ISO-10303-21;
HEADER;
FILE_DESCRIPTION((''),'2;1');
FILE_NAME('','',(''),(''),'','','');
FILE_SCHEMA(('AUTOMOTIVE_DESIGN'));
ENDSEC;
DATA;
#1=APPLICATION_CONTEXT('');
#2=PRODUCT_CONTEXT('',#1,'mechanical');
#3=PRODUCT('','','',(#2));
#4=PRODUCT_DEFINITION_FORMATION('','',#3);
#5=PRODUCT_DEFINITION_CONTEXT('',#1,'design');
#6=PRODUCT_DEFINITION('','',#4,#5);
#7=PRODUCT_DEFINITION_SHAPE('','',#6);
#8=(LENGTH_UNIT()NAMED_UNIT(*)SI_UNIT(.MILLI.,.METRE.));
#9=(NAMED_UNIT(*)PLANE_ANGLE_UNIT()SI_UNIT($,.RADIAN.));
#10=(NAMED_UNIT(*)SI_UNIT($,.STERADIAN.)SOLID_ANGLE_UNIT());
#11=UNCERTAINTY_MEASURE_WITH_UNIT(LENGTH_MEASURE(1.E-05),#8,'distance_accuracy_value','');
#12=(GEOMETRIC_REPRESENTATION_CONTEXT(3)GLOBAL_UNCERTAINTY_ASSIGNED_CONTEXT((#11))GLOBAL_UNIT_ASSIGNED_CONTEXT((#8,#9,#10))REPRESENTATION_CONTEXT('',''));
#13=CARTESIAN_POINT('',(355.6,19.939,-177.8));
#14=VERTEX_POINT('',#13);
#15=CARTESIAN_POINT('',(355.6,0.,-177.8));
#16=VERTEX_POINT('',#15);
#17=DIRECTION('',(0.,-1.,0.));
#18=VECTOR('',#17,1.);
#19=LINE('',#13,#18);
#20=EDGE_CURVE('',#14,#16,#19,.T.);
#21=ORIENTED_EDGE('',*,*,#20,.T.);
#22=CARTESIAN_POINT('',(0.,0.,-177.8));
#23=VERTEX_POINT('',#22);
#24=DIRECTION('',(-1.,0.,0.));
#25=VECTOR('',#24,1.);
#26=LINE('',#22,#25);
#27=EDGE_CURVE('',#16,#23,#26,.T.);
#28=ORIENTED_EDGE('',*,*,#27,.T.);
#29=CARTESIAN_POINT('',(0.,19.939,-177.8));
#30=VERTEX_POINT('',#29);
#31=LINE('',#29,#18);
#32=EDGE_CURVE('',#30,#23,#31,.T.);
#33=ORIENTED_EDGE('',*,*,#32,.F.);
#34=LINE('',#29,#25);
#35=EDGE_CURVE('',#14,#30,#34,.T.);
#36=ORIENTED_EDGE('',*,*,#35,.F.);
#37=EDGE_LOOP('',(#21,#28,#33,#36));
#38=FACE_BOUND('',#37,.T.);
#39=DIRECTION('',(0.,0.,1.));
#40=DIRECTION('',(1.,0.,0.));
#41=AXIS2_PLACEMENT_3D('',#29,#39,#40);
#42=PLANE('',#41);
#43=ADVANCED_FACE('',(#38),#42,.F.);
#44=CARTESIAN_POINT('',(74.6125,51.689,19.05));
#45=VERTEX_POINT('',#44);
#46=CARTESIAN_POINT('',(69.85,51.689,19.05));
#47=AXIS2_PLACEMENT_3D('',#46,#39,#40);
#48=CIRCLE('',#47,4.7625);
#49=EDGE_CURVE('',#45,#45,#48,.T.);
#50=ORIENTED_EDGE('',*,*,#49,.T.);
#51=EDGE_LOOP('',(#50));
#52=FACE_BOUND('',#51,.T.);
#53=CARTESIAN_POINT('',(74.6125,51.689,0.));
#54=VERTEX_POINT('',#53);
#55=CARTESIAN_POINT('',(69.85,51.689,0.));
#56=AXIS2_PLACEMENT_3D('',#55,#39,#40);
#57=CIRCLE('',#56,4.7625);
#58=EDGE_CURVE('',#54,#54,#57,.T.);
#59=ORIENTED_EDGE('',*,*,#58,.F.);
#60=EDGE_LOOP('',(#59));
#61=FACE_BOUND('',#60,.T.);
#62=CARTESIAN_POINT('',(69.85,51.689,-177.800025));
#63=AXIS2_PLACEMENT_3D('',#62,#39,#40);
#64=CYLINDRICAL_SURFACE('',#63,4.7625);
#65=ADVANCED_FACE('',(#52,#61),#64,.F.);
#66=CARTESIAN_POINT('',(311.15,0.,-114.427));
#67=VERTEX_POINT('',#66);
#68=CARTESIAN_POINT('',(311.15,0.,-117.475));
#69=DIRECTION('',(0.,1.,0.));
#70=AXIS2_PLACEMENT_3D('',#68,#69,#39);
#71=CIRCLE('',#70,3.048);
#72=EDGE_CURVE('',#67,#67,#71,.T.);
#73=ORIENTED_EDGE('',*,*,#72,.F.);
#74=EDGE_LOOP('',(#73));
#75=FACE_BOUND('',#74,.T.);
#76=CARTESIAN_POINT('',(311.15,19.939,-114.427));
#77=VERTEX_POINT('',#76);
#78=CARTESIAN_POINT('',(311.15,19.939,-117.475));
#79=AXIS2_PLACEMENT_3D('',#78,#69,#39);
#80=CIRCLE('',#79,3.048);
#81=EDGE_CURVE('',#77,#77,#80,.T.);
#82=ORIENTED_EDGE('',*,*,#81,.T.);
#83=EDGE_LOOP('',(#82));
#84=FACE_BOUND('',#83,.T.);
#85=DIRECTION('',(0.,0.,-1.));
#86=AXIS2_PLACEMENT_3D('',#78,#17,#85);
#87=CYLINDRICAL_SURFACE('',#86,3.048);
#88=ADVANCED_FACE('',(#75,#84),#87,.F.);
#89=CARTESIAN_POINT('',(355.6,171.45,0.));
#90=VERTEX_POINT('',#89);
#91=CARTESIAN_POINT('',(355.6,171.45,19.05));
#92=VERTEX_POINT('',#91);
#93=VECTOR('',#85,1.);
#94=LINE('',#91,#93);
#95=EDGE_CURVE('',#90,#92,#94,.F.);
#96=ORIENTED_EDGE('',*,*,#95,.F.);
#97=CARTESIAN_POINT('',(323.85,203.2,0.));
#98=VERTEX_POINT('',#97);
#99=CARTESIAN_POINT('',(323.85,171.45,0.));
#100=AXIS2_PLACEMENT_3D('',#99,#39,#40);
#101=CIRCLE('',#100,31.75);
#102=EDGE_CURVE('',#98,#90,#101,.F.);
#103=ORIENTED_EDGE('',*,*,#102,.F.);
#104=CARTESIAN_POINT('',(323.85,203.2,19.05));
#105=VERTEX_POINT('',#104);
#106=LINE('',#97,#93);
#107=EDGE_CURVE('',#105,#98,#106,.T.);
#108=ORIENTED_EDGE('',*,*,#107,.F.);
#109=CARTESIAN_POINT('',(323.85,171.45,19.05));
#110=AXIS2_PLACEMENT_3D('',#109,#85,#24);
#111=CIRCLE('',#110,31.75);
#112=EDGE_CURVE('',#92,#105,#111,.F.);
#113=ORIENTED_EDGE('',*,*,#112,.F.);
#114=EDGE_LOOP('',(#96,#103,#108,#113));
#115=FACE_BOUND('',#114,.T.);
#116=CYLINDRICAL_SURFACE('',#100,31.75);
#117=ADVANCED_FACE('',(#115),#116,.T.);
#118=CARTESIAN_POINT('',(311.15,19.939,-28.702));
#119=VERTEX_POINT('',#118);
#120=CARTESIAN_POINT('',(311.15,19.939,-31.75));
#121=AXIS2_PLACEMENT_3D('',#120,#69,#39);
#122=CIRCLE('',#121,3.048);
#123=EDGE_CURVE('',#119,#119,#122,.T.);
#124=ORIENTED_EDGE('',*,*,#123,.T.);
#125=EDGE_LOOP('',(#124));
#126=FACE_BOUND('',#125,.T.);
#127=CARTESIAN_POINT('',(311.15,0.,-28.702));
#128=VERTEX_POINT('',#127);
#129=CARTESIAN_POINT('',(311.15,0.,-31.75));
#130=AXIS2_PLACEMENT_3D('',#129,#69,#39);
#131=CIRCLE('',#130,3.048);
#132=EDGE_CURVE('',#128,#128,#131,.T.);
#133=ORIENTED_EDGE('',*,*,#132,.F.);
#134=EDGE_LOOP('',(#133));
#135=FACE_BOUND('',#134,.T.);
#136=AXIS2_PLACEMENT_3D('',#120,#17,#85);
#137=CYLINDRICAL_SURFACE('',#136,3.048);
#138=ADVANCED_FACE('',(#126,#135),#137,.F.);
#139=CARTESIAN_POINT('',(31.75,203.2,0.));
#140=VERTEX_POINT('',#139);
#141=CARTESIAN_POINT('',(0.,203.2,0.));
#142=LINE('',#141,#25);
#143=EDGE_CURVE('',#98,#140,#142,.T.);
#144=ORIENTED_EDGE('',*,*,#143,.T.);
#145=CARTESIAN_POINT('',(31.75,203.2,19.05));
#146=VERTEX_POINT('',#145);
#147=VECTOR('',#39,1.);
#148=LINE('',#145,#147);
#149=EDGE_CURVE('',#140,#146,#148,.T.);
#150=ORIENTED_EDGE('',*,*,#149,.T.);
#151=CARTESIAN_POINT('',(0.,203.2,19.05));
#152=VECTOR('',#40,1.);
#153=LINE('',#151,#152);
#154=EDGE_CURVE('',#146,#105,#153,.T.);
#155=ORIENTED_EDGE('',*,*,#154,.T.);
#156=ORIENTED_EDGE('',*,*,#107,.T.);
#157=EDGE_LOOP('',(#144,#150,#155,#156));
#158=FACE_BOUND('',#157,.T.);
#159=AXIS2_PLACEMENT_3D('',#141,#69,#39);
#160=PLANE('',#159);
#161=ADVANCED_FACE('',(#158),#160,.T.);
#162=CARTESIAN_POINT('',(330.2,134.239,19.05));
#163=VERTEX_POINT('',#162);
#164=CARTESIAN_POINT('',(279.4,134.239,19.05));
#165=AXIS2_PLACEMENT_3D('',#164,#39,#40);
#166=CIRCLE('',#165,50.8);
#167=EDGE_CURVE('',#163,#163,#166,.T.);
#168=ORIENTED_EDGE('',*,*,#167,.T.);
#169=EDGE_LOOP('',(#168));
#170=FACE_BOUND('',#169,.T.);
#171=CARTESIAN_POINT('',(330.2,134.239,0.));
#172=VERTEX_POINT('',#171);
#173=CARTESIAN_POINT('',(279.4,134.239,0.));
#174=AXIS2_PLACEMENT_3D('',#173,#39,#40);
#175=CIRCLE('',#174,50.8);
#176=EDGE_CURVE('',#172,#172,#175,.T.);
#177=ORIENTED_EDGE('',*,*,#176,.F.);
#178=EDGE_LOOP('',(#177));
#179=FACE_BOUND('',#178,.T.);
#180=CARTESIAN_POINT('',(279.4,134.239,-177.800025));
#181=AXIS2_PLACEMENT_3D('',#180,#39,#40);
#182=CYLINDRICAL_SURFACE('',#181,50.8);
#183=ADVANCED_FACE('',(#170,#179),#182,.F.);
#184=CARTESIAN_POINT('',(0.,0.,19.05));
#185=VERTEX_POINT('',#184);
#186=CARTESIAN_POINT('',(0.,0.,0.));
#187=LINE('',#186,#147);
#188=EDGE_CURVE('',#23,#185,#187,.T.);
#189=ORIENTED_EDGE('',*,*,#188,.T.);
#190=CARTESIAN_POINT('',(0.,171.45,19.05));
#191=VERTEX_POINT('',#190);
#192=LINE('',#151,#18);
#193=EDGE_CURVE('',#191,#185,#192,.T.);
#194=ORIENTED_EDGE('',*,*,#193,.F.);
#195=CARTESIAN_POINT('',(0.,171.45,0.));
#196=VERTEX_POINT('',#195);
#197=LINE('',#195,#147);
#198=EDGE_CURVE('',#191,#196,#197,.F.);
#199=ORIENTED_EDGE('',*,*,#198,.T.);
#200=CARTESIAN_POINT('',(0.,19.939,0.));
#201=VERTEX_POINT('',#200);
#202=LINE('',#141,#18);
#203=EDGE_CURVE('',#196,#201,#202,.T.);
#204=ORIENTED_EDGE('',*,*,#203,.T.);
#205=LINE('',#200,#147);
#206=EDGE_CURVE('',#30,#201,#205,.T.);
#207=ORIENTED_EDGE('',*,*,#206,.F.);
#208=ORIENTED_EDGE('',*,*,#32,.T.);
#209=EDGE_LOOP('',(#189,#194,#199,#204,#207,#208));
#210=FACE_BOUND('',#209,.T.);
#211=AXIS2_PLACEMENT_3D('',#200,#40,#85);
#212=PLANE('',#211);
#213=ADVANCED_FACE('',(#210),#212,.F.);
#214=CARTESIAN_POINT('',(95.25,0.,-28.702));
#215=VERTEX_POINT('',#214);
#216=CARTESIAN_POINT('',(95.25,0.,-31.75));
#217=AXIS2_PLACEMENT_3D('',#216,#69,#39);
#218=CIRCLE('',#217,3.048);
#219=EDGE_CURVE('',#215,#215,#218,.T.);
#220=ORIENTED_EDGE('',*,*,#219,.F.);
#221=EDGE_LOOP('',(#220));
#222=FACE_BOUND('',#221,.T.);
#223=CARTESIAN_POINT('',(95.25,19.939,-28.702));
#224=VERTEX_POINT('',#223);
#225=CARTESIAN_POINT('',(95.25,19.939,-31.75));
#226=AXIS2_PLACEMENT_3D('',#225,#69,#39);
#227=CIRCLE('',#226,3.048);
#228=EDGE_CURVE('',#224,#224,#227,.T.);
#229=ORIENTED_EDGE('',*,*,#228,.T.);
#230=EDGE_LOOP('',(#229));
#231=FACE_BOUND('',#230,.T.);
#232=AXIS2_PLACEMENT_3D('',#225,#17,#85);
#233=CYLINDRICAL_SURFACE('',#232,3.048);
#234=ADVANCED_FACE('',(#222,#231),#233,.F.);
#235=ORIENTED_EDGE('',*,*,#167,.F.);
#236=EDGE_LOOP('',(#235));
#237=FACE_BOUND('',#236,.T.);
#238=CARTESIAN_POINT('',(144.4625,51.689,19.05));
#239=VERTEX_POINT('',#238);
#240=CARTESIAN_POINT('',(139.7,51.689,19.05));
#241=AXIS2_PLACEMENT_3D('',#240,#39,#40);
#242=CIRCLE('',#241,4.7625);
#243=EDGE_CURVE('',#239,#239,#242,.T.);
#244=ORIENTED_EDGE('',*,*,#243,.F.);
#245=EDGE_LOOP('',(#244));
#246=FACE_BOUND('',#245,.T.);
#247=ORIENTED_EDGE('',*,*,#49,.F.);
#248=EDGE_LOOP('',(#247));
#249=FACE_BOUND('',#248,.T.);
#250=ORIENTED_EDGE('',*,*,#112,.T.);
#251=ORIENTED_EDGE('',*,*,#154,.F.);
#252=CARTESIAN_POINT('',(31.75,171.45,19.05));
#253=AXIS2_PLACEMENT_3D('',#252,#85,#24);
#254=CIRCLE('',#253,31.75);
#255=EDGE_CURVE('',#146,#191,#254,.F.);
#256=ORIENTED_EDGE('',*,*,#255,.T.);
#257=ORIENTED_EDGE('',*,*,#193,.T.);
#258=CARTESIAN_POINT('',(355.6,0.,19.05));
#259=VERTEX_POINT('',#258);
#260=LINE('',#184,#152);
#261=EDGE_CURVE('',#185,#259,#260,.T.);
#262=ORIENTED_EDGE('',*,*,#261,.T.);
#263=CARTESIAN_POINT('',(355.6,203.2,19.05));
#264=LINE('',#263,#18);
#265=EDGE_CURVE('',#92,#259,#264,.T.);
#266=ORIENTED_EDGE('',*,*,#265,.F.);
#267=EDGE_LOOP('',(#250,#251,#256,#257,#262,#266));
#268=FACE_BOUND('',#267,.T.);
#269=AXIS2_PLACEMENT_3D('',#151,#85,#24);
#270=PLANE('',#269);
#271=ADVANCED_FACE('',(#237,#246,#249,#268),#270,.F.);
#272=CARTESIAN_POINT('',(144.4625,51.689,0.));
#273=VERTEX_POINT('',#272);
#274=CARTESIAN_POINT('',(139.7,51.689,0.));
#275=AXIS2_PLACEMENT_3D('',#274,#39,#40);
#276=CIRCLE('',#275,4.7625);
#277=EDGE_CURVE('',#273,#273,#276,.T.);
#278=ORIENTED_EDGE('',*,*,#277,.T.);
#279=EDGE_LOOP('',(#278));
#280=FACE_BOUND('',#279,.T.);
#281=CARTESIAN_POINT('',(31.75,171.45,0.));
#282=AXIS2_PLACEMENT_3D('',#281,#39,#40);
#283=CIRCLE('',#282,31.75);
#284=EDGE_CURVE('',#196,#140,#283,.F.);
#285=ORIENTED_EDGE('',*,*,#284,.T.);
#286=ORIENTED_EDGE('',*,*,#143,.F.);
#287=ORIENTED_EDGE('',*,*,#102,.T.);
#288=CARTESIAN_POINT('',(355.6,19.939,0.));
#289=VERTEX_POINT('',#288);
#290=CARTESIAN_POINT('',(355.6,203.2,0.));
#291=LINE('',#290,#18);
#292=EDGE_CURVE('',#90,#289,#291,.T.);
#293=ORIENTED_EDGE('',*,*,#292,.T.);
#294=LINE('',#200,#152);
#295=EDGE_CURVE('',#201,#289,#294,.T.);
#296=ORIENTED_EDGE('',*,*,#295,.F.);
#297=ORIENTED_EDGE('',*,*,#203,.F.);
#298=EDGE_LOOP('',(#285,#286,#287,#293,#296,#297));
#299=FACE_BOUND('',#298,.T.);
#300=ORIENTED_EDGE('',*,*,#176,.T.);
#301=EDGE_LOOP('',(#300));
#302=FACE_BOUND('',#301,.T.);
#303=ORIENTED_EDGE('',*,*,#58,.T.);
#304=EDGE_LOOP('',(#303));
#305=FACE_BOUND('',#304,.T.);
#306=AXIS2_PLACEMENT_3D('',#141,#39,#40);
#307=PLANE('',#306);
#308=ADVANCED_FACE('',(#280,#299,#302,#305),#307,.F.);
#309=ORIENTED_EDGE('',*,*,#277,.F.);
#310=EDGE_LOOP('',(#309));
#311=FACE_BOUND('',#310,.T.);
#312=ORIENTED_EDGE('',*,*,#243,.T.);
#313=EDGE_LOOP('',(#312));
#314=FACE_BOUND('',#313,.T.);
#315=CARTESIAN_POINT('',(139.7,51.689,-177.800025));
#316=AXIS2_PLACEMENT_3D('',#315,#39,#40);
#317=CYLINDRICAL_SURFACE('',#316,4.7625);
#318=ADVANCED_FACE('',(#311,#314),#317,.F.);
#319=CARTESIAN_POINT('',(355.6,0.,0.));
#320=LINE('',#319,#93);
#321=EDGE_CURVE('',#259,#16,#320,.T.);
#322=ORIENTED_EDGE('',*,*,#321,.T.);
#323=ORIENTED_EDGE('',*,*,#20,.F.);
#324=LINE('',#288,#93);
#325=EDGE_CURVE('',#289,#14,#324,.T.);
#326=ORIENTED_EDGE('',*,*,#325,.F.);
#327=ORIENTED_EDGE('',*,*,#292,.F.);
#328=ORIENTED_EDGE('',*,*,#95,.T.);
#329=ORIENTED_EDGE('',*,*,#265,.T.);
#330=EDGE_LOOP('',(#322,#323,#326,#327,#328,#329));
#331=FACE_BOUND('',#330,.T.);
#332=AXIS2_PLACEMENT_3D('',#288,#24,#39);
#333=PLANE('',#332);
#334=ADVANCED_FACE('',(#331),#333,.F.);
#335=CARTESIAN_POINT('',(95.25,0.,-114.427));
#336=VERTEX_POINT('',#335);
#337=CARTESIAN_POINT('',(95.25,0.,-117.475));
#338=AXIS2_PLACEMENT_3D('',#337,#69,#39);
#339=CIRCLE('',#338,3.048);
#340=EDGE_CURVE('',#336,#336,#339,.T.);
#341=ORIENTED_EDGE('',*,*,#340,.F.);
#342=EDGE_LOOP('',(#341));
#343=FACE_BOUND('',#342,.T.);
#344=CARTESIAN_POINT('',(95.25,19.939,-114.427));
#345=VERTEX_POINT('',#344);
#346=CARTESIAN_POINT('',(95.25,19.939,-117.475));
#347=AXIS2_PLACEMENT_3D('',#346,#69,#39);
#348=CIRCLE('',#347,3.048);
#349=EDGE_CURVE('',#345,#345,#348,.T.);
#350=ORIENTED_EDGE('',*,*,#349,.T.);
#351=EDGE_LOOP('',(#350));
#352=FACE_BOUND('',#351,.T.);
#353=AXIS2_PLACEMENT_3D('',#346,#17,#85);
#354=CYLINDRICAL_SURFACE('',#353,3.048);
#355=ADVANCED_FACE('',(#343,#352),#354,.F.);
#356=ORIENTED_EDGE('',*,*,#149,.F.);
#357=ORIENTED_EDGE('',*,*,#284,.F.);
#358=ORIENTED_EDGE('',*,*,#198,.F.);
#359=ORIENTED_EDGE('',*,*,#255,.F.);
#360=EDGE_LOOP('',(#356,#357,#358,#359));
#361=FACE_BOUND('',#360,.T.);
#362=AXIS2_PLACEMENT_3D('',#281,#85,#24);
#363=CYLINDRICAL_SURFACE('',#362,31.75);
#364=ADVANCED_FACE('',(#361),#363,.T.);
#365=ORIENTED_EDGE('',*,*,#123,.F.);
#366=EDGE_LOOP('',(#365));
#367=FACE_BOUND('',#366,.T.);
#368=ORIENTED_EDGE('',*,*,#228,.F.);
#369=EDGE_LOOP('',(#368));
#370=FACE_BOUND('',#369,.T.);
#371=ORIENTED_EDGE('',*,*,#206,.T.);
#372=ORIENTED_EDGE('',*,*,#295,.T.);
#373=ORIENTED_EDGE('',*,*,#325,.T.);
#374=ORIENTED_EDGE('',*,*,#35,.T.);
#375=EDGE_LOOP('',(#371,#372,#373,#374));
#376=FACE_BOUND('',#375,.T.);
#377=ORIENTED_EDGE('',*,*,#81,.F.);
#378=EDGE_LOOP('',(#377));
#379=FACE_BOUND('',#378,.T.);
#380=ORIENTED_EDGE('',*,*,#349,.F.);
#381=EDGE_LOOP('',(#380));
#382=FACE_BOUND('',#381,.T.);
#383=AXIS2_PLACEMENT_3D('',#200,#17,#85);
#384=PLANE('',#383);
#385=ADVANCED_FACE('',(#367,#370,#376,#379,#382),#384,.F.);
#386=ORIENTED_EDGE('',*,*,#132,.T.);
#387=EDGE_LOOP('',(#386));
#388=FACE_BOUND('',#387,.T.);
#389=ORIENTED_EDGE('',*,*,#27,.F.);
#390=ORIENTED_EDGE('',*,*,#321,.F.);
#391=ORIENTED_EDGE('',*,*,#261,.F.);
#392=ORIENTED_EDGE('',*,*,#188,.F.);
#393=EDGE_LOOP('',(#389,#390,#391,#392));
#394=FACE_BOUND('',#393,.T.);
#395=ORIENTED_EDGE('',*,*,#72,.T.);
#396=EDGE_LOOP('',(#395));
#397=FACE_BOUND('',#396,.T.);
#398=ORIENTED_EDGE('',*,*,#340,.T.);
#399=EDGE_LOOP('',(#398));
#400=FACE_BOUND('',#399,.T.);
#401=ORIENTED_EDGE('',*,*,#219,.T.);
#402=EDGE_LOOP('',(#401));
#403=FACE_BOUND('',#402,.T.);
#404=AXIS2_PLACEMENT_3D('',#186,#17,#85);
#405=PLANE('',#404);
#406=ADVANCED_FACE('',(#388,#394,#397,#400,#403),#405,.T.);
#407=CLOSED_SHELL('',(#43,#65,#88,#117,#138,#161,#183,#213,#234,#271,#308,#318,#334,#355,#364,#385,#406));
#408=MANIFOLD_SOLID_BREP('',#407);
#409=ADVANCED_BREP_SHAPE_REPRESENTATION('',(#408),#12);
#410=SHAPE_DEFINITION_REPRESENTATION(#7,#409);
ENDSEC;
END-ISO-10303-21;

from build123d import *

# Parameters (mm, degrees)
SKETCH1_W           = 355.6
SKETCH1_H           = 177.8
SKETCH1_R           = 3.048
BOSS_EXTRUDE1_DEPTH = 19.939
SKETCH2_W           = 355.6
SKETCH2_H           = 19.05
BOSS_EXTRUDE2_DEPTH = 203.2
SKETCH3_R           = 50.8
SKETCH3_R_2         = 4.7625
CUT_EXTRUDE1_DEPTH  = 455.413382835
FILLET1_R           = 31.75


with BuildPart() as part:
    # Sketch1 → Boss-Extrude1 (new body)
    with BuildSketch(Plane(origin=(0, 0, 0), x_dir=(1, 0, 0), z_dir=(0, 1, 0))):
        with Locations((177.8, 88.9)):
            Rectangle(SKETCH1_W, SKETCH1_H)
        with Locations(Location((95.25, 117.475, 0), (0, 0, 270))):
            Circle(SKETCH1_R, mode=Mode.SUBTRACT)
        with Locations(Location((311.15, 117.475, 0), (0, 0, 270))):
            Circle(SKETCH1_R, mode=Mode.SUBTRACT)
        with Locations(Location((311.15, 31.75, 0), (0, 0, 270))):
            Circle(SKETCH1_R, mode=Mode.SUBTRACT)
        with Locations(Location((95.25, 31.75, 0), (0, 0, 270))):
            Circle(SKETCH1_R, mode=Mode.SUBTRACT)
    extrude(amount=BOSS_EXTRUDE1_DEPTH)

    # Sketch2 → Boss-Extrude2 (add)
    with BuildSketch(Plane(origin=(0, 0, 0), x_dir=(1, 0, 0), z_dir=(0, 1, 0))):
        with Locations((177.8, -9.525)):
            Rectangle(SKETCH2_W, SKETCH2_H)
    extrude(amount=BOSS_EXTRUDE2_DEPTH)

    # Sketch3 → Cut-Extrude1 (cut, through all)
    with BuildSketch(Plane.XY.offset(19.05)):
        with Locations((279.4, 134.239)):
            Circle(SKETCH3_R)
        with Locations((69.85, 51.689)):
            Circle(SKETCH3_R_2)
        with Locations((139.7, 51.689)):
            Circle(SKETCH3_R_2)
    extrude(amount=-CUT_EXTRUDE1_DEPTH, mode=Mode.SUBTRACT)

    # Fillet1
    fillet1_edges = [part.edges().sort_by_distance(p)[0] for p in [
        (355.6, 203.2, 9.525),
        (0, 203.2, 9.525),
    ]]
    fillet(fillet1_edges, radius=FILLET1_R)


solid = part.part
